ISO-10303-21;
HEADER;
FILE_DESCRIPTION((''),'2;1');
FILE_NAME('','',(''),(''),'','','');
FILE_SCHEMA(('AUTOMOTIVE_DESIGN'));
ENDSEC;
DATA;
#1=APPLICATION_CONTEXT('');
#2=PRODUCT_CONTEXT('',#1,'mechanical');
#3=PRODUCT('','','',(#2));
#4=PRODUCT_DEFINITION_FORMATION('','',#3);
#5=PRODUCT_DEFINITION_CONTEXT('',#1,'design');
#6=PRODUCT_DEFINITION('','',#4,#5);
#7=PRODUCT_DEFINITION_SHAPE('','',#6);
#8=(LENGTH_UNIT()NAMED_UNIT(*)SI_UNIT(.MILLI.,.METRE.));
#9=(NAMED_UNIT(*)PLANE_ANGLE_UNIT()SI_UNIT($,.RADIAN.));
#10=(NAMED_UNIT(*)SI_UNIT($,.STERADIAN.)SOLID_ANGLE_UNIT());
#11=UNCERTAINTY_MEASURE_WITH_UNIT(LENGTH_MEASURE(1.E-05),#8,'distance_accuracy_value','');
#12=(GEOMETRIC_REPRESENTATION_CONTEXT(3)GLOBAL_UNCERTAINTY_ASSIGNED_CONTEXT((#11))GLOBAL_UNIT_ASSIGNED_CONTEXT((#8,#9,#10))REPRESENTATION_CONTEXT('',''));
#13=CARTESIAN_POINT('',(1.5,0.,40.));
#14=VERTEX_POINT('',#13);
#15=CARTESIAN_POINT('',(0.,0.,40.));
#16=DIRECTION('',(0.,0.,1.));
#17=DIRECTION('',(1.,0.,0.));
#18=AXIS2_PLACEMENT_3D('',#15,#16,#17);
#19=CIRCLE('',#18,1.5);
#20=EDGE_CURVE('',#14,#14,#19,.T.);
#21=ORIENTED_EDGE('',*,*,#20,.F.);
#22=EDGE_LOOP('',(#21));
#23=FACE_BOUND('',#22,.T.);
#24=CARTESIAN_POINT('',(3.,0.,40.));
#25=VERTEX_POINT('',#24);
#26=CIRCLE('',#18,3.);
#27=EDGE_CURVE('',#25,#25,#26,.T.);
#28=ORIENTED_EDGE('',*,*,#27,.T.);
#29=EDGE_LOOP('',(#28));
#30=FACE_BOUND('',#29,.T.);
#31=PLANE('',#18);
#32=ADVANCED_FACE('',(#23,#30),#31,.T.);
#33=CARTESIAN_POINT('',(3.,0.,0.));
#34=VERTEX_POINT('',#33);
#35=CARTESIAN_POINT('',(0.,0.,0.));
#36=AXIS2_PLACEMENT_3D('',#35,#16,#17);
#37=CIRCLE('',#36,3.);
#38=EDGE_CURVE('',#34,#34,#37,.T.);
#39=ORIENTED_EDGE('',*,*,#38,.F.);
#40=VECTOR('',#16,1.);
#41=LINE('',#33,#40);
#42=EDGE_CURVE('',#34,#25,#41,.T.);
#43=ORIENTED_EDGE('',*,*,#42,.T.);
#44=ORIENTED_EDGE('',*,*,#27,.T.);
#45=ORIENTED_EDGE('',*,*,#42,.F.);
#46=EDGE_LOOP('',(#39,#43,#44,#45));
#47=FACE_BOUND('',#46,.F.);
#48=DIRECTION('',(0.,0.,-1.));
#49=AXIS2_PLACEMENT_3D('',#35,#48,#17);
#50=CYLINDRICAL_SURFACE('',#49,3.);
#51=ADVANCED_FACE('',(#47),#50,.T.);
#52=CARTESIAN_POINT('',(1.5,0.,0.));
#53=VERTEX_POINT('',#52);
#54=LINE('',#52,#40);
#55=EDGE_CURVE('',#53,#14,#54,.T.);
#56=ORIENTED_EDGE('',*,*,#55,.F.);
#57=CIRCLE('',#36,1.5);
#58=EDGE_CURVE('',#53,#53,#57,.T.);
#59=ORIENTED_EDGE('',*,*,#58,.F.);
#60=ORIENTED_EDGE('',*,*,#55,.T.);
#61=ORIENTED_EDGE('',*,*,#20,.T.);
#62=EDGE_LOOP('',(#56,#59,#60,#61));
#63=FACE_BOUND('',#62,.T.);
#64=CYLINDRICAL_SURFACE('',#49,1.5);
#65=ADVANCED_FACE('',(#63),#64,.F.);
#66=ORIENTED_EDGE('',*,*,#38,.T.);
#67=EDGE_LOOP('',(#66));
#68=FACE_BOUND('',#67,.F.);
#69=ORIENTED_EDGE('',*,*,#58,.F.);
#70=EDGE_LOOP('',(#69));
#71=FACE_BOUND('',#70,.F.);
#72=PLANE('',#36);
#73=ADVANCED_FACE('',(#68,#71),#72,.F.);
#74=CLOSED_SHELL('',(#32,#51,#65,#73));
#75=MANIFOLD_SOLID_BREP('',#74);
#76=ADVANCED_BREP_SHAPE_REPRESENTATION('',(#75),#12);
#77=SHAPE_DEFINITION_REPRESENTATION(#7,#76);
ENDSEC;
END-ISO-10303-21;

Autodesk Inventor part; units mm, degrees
ref_plane "YZ Plane" through (0, 0, 0) normal (1, 0, 0) x (0, 1, 0)
ref_plane "XZ Plane" through (0, 0, 0) normal (0, 1, 0) x (-1, 0, 0)
ref_plane "XY Plane" through (0, 0, 0) normal (0, 0, 1) x (1, 0, 0)
sketch "スケッチ1" plane through (0, 0, 0) normal (0, 0, 1) x (1, 0, 0)
  circle A0 centre (0, 0) radius 3
  circle A1 centre (0, 0) radius 1.5
  dimension "d0" = 6
  dimension "d1" = 3
extrude "押し出し1" add sketch "スケッチ1" along normal blind 40
properties part number "ABSスペーサーm3-40　簡易筒型" material "ABS プラスチック"
